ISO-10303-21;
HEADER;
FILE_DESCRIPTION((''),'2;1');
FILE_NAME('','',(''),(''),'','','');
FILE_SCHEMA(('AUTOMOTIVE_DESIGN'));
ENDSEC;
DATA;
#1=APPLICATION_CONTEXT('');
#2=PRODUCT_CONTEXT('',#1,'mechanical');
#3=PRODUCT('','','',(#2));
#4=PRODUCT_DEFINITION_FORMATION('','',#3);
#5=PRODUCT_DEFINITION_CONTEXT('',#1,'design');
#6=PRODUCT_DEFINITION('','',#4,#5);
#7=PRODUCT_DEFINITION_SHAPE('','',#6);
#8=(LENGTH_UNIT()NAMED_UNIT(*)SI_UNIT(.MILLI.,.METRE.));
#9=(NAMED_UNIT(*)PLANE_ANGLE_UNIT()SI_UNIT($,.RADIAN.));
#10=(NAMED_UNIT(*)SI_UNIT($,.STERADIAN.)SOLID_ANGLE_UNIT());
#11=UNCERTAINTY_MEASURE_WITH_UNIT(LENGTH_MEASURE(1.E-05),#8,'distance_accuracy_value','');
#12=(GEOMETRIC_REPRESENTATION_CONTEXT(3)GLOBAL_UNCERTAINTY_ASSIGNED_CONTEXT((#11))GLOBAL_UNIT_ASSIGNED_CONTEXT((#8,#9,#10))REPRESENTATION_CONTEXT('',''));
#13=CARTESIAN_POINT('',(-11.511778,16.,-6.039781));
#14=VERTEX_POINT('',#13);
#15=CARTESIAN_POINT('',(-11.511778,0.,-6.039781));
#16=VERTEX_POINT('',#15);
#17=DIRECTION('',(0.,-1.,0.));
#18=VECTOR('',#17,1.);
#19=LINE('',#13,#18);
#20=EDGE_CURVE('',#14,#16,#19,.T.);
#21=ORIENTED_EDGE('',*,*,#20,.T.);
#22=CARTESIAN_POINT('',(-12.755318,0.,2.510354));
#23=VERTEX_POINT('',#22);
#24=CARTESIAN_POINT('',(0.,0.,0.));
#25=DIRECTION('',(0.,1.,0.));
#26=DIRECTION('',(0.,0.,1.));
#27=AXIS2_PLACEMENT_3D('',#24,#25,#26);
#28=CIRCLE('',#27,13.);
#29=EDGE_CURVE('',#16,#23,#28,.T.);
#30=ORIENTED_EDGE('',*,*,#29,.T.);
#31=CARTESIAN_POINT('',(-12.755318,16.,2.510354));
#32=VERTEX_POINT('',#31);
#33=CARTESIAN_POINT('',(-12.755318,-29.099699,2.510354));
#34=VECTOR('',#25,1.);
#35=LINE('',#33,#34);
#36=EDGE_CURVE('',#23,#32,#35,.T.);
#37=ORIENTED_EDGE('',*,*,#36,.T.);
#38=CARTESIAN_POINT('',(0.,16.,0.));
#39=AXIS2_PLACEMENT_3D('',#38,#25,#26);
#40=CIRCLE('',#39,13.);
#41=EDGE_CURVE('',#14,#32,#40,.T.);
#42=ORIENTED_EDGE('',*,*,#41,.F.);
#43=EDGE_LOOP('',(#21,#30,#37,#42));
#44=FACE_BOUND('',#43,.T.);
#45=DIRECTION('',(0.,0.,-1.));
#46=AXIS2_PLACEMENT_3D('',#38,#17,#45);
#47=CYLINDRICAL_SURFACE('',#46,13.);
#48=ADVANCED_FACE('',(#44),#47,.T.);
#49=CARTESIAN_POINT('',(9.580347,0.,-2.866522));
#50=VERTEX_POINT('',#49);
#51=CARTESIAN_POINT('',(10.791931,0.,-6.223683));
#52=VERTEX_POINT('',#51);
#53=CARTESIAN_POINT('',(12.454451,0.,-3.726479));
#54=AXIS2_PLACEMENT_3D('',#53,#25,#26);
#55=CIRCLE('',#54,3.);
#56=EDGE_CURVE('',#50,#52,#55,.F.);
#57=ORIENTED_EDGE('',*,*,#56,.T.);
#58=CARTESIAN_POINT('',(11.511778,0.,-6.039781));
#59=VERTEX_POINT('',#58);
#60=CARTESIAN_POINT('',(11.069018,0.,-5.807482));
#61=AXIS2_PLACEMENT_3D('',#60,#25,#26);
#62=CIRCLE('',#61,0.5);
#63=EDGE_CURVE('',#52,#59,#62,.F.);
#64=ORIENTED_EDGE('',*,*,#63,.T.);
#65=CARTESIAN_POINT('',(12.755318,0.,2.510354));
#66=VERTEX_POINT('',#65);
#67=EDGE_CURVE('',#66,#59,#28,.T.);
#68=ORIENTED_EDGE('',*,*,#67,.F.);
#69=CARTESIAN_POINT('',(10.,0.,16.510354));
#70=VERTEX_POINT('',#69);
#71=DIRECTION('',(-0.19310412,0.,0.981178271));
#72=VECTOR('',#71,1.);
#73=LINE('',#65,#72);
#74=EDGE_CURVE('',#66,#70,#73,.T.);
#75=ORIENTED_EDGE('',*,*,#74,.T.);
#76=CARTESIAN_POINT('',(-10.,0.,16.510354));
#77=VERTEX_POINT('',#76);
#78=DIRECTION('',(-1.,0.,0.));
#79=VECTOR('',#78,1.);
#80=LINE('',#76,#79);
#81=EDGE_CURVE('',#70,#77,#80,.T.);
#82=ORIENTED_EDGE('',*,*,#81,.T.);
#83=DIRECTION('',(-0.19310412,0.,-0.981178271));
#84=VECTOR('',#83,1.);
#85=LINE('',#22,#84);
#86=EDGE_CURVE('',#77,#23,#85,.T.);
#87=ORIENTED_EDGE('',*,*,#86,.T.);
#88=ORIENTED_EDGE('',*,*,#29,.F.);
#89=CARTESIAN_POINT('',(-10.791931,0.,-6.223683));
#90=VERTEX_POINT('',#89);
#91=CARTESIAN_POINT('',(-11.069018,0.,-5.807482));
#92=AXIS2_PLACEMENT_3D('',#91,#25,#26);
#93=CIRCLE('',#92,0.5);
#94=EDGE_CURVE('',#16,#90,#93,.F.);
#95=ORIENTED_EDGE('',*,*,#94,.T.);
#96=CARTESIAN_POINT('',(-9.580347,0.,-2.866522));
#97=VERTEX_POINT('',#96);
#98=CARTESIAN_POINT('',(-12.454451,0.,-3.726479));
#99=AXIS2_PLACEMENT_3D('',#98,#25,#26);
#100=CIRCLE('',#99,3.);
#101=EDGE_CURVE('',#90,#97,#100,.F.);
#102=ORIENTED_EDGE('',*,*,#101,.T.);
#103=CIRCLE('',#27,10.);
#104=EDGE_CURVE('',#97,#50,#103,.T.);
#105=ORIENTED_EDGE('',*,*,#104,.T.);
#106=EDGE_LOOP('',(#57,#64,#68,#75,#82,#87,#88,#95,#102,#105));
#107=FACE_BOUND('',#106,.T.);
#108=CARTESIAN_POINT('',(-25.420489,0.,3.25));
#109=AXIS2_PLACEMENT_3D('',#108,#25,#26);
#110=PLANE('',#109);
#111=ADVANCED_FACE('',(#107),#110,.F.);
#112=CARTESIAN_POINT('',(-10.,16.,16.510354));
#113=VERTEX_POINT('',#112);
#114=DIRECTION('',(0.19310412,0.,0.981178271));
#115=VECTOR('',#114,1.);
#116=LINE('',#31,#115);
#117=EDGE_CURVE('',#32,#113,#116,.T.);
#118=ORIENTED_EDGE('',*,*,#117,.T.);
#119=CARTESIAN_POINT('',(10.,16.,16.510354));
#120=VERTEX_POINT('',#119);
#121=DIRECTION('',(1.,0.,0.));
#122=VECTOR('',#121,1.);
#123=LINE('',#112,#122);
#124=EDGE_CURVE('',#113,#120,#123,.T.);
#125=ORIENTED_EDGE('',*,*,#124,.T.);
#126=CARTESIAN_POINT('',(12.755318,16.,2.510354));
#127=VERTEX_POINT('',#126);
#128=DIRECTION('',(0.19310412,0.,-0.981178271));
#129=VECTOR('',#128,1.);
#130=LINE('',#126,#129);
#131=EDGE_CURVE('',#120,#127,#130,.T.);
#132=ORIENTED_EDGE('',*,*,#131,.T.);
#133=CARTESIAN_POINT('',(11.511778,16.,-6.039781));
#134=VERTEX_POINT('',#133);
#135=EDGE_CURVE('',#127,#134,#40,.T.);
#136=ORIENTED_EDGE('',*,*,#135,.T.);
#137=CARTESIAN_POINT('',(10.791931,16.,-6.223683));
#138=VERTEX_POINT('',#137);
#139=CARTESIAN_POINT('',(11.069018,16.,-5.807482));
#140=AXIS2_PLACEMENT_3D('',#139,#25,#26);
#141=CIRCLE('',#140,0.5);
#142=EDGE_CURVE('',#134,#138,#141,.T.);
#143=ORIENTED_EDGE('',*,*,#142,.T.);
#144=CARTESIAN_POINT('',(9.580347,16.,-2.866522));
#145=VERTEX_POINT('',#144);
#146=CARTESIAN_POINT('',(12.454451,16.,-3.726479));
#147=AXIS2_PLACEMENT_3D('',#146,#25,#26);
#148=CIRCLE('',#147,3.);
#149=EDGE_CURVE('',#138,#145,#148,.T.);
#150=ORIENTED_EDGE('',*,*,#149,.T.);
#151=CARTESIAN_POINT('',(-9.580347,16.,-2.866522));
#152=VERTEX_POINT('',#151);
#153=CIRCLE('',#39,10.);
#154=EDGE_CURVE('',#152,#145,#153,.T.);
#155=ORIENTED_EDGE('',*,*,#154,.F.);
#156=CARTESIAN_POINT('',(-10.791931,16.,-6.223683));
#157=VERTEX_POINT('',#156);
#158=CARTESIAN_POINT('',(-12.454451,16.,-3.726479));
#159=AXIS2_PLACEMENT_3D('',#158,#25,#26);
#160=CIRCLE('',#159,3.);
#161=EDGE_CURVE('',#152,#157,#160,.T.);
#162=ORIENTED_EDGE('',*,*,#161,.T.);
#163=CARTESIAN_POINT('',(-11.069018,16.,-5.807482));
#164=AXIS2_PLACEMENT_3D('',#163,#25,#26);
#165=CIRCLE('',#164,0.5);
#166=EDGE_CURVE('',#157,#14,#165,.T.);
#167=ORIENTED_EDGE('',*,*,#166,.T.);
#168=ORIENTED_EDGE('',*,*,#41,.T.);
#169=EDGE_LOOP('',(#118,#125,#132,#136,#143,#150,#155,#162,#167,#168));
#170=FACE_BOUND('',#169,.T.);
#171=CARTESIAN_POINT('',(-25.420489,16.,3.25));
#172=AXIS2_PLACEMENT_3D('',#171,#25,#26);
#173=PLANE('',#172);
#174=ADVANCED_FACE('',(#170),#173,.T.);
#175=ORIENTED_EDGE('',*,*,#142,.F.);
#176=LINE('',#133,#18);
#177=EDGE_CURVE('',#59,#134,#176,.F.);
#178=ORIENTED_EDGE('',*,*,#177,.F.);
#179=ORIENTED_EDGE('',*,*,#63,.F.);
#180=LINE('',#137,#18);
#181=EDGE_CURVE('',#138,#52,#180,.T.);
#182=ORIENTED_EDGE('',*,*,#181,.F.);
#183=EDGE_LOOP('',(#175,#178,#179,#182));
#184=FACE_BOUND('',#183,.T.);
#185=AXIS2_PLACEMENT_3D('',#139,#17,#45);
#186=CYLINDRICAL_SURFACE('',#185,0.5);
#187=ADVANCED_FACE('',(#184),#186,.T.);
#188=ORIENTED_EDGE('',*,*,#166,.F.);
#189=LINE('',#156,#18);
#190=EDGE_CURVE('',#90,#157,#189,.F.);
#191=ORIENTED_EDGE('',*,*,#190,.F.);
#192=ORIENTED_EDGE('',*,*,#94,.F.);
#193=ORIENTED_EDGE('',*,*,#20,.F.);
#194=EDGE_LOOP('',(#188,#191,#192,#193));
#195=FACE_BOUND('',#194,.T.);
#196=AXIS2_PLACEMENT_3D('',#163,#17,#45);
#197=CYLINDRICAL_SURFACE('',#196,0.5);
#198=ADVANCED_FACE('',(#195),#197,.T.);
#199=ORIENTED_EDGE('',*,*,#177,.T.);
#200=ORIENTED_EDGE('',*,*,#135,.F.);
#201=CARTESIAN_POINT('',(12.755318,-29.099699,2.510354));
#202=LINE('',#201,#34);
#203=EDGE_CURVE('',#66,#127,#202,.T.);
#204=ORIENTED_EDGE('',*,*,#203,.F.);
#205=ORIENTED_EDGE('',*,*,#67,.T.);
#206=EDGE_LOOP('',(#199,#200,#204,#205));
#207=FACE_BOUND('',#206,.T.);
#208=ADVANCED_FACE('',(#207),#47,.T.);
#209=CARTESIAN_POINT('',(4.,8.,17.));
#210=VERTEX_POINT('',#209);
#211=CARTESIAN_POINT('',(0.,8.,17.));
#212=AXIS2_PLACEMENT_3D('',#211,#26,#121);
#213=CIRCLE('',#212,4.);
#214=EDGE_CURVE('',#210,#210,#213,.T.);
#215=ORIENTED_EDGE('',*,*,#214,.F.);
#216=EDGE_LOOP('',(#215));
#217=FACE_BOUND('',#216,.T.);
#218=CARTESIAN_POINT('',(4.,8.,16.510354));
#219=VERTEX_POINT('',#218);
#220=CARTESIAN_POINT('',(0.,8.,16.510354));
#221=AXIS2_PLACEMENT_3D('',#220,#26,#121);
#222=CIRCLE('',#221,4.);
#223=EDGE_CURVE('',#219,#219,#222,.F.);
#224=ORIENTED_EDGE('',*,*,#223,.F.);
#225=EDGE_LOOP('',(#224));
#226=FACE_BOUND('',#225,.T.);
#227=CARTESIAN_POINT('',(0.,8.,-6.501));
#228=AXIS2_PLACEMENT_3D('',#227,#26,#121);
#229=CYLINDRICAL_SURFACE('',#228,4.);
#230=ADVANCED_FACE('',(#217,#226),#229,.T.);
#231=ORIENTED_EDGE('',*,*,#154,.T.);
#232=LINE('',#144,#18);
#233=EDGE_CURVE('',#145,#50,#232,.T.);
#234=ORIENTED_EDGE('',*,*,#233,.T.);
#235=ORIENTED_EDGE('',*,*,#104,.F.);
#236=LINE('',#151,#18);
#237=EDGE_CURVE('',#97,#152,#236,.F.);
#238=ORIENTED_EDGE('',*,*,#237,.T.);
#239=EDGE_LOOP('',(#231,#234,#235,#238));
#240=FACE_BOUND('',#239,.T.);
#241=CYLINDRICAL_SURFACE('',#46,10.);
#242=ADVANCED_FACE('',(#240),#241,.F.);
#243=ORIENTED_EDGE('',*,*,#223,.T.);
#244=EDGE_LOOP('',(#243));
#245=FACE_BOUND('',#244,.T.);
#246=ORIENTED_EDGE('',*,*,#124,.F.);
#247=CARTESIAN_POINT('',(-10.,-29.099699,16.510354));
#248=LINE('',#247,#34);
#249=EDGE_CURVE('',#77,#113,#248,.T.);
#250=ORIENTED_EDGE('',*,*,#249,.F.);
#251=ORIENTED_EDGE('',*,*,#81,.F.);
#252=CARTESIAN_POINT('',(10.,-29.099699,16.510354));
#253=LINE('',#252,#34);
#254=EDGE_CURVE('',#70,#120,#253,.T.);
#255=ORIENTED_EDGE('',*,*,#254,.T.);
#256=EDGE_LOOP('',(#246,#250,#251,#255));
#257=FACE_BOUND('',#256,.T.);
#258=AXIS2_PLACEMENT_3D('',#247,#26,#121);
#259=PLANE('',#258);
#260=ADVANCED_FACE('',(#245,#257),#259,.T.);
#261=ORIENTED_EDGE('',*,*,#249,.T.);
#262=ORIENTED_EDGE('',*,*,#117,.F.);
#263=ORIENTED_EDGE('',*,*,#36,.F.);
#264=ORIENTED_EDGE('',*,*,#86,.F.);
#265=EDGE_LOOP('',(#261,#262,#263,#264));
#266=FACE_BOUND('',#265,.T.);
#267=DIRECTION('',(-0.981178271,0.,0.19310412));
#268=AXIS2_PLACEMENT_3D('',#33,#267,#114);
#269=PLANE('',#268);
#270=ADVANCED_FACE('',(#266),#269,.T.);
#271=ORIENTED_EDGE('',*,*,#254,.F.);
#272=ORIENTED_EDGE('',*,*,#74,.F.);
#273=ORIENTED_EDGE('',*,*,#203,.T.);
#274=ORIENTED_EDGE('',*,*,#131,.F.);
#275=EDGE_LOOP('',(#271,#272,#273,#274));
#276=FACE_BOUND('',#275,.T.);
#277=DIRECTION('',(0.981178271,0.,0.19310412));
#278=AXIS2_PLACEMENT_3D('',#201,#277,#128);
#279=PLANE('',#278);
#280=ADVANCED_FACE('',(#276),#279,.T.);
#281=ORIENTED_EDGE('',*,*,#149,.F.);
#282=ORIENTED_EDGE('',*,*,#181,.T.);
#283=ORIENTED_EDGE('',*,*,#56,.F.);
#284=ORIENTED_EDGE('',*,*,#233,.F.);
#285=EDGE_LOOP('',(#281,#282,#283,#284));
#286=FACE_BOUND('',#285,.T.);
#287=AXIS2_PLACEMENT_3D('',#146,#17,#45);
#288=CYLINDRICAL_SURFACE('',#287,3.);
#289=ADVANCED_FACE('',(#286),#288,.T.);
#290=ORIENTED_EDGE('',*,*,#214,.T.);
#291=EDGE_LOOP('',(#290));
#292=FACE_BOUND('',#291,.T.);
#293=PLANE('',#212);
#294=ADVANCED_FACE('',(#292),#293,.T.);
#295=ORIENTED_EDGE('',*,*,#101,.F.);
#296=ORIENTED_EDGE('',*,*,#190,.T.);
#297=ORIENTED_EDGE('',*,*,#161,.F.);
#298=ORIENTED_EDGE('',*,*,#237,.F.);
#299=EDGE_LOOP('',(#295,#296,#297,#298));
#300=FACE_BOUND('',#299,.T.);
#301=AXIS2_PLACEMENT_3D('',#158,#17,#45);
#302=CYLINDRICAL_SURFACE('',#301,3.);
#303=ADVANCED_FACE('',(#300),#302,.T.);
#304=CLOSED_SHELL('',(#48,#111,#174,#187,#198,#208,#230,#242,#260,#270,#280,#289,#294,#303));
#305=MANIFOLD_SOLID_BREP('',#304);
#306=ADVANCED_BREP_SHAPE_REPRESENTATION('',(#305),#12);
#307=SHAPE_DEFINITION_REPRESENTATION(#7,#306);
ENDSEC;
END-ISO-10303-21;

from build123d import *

# Parameters (mm, degrees)
EXTRUIR1_DEPTH      = 16
EXTRUIR2_REACH      = 43.372
EXTRUIR2_END_RADIUS = 13
EXTRUIR2_START      = 17
CROQUIS2_R          = 4
REDONDEO1_R         = 3
REDONDEO2_R         = 0.5
EXTRUIR3_START      = -16
EXTRUIR3_DEPTH      = 16


with BuildPart() as part:
    # Croquis1 → Extruir1 (new body)
    with BuildSketch(Plane(origin=(0, 0, 0), x_dir=(1, 0, 0), z_dir=(0, 1, 0))):
        with BuildLine():
            Line((11.258330249, 6.5), (8.660254038, 5))
            ThreePointArc((8.660254038, 5), (0, -10), (-8.660254038, 5))
            Line((-8.660254038, 5), (-11.258330249, 6.5))
            ThreePointArc((-11.258330249, 6.5), (0, -13), (11.258330249, 6.5))
        make_face()
    extrude(amount=EXTRUIR1_DEPTH)

    # Extruir2: up to this cylinder (the profile starts outside it)
    extruir2_end = Plane(origin=(0, 8, 0), z_dir=(0, -1, 0)) * Cylinder(EXTRUIR2_END_RADIUS, 113.744, mode=Mode.PRIVATE)
    # Croquis2 → Extruir2 (add, up to the surface)
    with BuildSketch(Plane.XY.offset(EXTRUIR2_START), mode=Mode.PRIVATE) as extruir2_sk1:
        with Locations((0, 8)):
            Circle(CROQUIS2_R)
    extruir2_tool1 = extrude(extruir2_sk1.sketch, amount=-EXTRUIR2_REACH, mode=Mode.PRIVATE) - extruir2_end
    add(extruir2_tool1.solids().sort_by_distance((0, 8, 17))[0])

    # Redondeo1
    redondeo1_edges = [part.edges().sort_by_distance(p)[0] for p in [
        (8.660254038, 8, -5),
        (-8.660254038, 8, -5),
    ]]
    fillet(redondeo1_edges, radius=REDONDEO1_R)

    # Redondeo2
    redondeo2_edges = [part.edges().sort_by_distance(p)[0] for p in [
        (11.258330249, 8, -6.5),
        (-11.258330249, 8, -6.5),
    ]]
    fillet(redondeo2_edges, radius=REDONDEO2_R)

    # Croquis3 → Extruir3 (add)
    with BuildSketch(Plane(origin=(0, 16, 0), x_dir=(1, 0, 0), z_dir=(0, 1, 0)).offset(EXTRUIR3_START)):
        with BuildLine():
            Line((-12.755317519, -2.510353559), (-10, -16.510353559))
            Line((-10, -16.510353559), (10, -16.510353559))
            Line((10, -16.510353559), (12.755317519, -2.510353559))
            Line((12.755317519, -2.510353559), (9.679779182, -2.510353559))
            ThreePointArc((9.679779182, -2.510353559), (0, -10), (-9.679779182, -2.510353559))
            Line((-9.679779182, -2.510353559), (-12.755317519, -2.510353559))
        make_face()
    extrude(amount=EXTRUIR3_DEPTH)


solid = part.part
